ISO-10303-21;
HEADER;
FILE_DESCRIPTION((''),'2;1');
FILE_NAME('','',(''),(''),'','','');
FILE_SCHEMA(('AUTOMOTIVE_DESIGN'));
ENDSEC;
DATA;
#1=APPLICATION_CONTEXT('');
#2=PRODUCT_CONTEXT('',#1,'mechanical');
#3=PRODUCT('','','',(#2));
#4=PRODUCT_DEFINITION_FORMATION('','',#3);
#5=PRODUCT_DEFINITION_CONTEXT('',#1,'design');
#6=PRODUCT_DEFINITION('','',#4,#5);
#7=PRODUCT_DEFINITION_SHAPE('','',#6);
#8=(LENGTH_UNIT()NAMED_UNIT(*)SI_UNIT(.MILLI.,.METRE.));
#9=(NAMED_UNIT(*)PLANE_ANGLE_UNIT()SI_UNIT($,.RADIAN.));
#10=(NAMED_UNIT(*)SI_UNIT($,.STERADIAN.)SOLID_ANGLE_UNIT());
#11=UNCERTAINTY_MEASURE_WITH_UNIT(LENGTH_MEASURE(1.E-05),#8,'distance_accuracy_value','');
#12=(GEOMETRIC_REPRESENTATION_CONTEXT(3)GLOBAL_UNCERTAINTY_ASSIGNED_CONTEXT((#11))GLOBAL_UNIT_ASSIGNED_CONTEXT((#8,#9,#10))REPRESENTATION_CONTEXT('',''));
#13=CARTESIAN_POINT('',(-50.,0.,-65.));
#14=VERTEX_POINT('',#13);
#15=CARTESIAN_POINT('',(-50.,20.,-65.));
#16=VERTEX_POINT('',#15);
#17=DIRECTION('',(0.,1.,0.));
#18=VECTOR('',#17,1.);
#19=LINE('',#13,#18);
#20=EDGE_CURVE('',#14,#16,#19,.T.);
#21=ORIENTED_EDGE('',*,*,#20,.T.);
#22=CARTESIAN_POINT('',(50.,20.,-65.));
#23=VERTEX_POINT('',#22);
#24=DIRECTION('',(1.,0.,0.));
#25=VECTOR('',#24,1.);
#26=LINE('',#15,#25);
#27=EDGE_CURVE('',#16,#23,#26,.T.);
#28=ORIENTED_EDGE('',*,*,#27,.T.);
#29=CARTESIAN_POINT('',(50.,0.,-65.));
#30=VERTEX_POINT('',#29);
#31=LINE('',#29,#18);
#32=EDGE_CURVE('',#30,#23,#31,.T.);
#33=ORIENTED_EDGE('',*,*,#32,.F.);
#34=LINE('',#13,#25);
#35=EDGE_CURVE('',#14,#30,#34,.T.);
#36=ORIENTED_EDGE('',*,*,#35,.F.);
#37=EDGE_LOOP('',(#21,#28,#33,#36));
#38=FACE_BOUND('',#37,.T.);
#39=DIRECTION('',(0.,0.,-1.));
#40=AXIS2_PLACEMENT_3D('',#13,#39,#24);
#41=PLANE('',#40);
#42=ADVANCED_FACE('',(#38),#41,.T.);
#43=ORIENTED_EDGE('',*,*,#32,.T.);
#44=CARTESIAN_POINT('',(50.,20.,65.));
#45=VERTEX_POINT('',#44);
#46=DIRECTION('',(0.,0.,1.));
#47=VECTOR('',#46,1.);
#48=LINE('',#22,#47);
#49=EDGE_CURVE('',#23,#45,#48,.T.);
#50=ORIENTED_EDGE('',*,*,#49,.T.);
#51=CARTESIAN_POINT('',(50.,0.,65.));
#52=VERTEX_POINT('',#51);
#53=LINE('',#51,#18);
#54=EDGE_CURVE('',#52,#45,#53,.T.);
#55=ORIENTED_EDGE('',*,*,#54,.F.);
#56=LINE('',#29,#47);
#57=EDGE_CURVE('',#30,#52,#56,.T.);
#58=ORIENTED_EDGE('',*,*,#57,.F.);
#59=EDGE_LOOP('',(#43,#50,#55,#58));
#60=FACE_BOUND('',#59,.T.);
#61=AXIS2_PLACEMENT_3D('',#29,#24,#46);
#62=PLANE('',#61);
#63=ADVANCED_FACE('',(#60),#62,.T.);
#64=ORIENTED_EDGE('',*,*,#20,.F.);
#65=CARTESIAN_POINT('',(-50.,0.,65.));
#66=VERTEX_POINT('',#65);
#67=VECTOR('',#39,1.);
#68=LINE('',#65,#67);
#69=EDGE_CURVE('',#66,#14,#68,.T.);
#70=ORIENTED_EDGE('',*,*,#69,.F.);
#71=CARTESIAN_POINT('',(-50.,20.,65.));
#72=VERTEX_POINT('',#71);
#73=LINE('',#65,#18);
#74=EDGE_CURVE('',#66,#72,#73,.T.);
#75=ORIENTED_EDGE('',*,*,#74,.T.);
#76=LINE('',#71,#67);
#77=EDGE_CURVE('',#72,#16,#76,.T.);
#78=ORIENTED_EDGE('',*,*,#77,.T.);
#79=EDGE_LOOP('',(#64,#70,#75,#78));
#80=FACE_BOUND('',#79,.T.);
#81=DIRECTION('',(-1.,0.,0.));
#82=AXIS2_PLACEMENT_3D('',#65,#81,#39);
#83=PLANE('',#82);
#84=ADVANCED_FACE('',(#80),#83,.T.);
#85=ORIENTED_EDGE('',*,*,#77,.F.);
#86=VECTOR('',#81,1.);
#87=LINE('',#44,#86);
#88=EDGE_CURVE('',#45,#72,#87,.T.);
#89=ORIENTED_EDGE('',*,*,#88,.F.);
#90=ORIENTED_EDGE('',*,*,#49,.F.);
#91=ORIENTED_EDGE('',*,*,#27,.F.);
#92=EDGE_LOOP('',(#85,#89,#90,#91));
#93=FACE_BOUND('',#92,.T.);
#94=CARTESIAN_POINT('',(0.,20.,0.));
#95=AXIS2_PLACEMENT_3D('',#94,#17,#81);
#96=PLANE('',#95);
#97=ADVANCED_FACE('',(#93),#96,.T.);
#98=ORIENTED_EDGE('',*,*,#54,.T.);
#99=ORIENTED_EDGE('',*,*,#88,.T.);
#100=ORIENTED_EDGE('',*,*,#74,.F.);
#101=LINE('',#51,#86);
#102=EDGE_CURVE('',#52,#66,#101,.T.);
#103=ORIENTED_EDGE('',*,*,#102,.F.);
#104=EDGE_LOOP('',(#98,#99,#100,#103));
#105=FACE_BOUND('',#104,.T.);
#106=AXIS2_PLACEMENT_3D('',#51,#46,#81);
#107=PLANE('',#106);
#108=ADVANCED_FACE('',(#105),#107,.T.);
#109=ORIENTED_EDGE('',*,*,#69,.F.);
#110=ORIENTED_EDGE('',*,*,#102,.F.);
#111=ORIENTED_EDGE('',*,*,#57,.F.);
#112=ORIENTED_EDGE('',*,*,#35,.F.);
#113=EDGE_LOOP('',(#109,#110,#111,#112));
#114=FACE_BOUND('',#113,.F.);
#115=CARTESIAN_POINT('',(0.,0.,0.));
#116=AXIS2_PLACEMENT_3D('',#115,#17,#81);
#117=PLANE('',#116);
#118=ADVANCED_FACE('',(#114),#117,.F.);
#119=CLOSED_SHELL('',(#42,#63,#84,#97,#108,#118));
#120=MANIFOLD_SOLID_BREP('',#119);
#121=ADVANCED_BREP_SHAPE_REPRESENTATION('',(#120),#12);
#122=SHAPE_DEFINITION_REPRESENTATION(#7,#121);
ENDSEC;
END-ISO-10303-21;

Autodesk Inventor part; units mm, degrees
ref_plane "YZ Plane" through (0, 0, 0) normal (1, 0, 0) x (0, 1, 0)
ref_plane "XZ Plane" through (0, 0, 0) normal (0, 1, 0) x (-1, 0, 0)
ref_plane "XY Plane" through (0, 0, 0) normal (0, 0, 1) x (1, 0, 0)
sketch "Sketch1" plane through (0, 0, 0) normal (0, 1, 0) x (-1, 0, 0)
  line L0 (-50, 65) -> (50, 65)
  line L1 (50, 65) -> (50, -65)
  line L2 (50, -65) -> (-50, -65)
  line L3 (-50, -65) -> (-50, 65)
  line L4 (-50, 65) -> (50, -65) construction
  line L5 (50, 65) -> (-50, -65) construction
  point P0 (0, 0)
  dimension "d0" = 100
  dimension "d1" = 130
extrude "Extrusion1" add sketch "Sketch1" along normal blind 20
properties part number "mainBoard"
